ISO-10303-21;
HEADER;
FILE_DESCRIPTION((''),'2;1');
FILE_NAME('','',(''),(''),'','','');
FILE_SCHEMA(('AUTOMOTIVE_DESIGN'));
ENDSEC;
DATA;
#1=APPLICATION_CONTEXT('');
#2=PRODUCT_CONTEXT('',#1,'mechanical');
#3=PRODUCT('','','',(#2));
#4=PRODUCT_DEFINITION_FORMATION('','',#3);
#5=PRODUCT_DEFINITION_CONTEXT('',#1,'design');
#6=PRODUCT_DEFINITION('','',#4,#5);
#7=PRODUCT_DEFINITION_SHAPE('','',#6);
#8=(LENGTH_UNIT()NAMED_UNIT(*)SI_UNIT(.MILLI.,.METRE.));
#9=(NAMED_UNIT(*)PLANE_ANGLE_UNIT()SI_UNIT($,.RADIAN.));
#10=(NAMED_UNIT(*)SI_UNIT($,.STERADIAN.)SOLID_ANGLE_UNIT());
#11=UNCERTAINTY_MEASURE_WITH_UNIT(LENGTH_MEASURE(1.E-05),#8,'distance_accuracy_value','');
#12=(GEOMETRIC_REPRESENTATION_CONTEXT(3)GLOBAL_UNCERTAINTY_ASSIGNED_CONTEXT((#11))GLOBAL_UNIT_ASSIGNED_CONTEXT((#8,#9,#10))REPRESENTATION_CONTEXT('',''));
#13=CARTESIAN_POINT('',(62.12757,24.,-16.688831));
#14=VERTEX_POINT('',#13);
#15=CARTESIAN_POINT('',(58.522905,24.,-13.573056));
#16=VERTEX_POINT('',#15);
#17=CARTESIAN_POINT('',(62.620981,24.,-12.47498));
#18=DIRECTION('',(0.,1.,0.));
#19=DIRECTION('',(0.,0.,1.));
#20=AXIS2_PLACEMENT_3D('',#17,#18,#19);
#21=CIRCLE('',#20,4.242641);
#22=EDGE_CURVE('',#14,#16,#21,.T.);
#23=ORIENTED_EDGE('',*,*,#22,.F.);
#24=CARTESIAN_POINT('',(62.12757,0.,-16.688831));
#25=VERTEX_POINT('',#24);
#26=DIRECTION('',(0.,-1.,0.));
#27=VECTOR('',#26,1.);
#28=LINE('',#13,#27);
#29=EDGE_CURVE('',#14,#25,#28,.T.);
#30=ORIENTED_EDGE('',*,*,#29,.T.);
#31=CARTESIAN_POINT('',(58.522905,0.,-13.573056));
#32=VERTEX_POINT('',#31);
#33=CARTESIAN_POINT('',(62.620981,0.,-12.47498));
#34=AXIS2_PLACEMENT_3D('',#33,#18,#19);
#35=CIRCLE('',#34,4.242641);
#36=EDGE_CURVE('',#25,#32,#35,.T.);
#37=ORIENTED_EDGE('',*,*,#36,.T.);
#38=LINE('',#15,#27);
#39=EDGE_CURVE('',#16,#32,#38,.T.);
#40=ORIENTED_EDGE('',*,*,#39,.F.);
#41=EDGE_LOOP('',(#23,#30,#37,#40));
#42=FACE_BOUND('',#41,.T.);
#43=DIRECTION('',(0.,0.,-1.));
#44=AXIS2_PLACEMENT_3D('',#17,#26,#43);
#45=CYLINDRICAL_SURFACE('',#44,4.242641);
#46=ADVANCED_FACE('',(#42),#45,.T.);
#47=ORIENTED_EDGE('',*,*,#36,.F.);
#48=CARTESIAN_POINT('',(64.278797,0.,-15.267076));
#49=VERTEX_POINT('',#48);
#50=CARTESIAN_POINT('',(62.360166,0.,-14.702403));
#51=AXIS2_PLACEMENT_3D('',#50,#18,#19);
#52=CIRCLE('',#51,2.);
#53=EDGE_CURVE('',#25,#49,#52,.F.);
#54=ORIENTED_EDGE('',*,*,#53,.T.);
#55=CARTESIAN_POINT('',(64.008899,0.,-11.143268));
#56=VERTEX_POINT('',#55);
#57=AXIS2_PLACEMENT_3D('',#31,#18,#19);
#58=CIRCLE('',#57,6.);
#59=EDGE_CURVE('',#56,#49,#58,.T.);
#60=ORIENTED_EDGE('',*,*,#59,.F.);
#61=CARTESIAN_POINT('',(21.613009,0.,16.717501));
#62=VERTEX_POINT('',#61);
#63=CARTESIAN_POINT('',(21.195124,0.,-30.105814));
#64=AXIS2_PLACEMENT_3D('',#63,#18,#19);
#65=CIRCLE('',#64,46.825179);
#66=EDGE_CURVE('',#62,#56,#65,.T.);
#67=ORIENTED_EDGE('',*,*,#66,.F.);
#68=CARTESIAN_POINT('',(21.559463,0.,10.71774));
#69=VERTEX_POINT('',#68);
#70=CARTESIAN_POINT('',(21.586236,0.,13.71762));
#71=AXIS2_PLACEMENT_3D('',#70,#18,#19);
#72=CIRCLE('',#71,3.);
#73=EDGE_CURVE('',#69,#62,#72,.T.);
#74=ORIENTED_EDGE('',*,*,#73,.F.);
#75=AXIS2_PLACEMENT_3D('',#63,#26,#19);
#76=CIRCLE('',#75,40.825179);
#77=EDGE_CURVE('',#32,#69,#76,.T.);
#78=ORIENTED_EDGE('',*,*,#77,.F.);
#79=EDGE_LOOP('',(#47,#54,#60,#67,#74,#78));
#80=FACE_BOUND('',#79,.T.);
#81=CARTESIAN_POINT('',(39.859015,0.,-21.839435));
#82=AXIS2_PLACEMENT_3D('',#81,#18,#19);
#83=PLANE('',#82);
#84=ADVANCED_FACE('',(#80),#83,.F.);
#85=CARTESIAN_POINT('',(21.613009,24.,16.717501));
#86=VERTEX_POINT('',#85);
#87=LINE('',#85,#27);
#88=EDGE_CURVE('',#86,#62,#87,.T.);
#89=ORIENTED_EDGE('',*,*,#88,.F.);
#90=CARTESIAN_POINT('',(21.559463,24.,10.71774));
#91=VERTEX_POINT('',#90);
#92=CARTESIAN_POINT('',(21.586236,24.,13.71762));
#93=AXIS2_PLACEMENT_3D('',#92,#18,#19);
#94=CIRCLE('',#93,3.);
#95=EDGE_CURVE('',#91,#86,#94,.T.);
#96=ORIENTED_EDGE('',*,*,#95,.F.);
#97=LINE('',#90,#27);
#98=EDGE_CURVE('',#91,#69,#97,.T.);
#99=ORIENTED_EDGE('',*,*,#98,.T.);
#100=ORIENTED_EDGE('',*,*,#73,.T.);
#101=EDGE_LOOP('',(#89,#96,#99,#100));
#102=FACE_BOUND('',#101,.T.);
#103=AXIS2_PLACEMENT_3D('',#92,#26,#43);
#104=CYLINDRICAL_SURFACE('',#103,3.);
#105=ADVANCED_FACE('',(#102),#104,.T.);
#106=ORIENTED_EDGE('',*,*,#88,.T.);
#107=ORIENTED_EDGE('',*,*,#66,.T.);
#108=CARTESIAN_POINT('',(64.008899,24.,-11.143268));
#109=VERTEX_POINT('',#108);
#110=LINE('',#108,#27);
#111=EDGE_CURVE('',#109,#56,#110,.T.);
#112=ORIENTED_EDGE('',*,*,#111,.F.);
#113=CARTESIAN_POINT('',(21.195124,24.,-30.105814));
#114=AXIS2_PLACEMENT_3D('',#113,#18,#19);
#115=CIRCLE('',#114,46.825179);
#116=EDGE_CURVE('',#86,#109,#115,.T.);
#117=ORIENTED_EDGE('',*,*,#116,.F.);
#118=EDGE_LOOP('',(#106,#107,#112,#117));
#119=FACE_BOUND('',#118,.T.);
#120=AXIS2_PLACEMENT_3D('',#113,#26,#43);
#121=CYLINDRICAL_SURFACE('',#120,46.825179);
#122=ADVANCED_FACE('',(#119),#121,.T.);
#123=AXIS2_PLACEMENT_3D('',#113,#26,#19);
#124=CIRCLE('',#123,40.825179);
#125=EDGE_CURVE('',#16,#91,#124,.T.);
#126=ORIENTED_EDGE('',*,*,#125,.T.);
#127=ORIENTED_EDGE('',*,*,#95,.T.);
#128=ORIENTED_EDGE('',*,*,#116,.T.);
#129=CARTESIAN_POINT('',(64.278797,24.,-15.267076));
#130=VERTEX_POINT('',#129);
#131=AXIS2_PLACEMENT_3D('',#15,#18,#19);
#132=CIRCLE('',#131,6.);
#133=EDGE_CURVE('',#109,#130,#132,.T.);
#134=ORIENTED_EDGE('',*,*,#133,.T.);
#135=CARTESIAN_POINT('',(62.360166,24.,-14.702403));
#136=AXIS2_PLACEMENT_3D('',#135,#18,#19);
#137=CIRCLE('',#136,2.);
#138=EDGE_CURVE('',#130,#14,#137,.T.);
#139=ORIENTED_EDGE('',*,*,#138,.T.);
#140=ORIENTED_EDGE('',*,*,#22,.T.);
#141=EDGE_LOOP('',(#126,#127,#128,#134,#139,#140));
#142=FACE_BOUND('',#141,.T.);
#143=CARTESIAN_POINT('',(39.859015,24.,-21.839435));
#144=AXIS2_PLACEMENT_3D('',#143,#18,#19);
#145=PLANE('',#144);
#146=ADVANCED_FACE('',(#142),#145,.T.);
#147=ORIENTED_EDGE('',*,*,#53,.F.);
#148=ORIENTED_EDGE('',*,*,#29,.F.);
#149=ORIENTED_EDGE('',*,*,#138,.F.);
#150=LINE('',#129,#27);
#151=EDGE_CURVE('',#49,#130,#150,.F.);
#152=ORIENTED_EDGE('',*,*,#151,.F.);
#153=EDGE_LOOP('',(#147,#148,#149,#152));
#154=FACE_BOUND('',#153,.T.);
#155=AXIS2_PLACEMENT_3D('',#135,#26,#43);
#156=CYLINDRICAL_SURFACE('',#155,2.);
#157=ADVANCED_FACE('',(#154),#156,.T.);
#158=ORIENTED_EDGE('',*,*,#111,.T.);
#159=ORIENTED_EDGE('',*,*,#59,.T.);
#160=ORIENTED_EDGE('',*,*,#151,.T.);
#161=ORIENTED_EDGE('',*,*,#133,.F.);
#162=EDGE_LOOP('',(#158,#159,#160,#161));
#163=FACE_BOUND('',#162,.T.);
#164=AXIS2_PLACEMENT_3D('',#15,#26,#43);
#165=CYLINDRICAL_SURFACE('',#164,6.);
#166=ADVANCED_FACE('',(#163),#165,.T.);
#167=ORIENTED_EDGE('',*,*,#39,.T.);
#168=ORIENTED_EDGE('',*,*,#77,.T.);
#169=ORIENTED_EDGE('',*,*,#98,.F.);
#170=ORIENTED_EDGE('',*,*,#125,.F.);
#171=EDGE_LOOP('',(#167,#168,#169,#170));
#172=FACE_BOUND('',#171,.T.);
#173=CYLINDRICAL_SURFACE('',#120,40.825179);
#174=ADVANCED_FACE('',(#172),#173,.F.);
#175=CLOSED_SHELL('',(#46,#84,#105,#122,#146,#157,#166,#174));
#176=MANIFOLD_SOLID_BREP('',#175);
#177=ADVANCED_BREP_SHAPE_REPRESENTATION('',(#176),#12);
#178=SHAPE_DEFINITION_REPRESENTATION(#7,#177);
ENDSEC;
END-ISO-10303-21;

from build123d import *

# Parameters (mm, degrees)
BOSS_EXTRUDE2_DEPTH = 24
FILLET3_R           = 2


with BuildPart() as part:
    # Sketch2 → Boss-Extrude2 (new body)
    with BuildSketch(Plane(origin=(0, 0, 0), x_dir=(1, 0, 0), z_dir=(0, 1, 0))):
        with BuildLine():
            ThreePointArc((64.008898715, 11.143267641), (64.514374858, 13.892879926), (63.719057289, 16.573056006))
            ThreePointArc((63.719057289, 16.573056006), (60.499660734, 16.149214409), (58.522904866, 13.573056006))
            ThreePointArc((58.522904866, 13.573056006), (43.615754555, -4.011786119), (21.55946325, -10.71773995))
            ThreePointArc((21.55946325, -10.71773995), (18.586355818, -13.744393581), (21.613009449, -16.717501013))
            ThreePointArc((21.613009449, -16.717501013), (46.910872497, -9.025985731), (64.008898715, 11.143267641))
        make_face()
    extrude(amount=BOSS_EXTRUDE2_DEPTH)

    # Fillet3
    fillet3_edges = [part.edges().sort_by_distance(p)[0] for p in [
        (63.719057289, 12, -16.573056006),
    ]]
    fillet(fillet3_edges, radius=FILLET3_R)


solid = part.part
